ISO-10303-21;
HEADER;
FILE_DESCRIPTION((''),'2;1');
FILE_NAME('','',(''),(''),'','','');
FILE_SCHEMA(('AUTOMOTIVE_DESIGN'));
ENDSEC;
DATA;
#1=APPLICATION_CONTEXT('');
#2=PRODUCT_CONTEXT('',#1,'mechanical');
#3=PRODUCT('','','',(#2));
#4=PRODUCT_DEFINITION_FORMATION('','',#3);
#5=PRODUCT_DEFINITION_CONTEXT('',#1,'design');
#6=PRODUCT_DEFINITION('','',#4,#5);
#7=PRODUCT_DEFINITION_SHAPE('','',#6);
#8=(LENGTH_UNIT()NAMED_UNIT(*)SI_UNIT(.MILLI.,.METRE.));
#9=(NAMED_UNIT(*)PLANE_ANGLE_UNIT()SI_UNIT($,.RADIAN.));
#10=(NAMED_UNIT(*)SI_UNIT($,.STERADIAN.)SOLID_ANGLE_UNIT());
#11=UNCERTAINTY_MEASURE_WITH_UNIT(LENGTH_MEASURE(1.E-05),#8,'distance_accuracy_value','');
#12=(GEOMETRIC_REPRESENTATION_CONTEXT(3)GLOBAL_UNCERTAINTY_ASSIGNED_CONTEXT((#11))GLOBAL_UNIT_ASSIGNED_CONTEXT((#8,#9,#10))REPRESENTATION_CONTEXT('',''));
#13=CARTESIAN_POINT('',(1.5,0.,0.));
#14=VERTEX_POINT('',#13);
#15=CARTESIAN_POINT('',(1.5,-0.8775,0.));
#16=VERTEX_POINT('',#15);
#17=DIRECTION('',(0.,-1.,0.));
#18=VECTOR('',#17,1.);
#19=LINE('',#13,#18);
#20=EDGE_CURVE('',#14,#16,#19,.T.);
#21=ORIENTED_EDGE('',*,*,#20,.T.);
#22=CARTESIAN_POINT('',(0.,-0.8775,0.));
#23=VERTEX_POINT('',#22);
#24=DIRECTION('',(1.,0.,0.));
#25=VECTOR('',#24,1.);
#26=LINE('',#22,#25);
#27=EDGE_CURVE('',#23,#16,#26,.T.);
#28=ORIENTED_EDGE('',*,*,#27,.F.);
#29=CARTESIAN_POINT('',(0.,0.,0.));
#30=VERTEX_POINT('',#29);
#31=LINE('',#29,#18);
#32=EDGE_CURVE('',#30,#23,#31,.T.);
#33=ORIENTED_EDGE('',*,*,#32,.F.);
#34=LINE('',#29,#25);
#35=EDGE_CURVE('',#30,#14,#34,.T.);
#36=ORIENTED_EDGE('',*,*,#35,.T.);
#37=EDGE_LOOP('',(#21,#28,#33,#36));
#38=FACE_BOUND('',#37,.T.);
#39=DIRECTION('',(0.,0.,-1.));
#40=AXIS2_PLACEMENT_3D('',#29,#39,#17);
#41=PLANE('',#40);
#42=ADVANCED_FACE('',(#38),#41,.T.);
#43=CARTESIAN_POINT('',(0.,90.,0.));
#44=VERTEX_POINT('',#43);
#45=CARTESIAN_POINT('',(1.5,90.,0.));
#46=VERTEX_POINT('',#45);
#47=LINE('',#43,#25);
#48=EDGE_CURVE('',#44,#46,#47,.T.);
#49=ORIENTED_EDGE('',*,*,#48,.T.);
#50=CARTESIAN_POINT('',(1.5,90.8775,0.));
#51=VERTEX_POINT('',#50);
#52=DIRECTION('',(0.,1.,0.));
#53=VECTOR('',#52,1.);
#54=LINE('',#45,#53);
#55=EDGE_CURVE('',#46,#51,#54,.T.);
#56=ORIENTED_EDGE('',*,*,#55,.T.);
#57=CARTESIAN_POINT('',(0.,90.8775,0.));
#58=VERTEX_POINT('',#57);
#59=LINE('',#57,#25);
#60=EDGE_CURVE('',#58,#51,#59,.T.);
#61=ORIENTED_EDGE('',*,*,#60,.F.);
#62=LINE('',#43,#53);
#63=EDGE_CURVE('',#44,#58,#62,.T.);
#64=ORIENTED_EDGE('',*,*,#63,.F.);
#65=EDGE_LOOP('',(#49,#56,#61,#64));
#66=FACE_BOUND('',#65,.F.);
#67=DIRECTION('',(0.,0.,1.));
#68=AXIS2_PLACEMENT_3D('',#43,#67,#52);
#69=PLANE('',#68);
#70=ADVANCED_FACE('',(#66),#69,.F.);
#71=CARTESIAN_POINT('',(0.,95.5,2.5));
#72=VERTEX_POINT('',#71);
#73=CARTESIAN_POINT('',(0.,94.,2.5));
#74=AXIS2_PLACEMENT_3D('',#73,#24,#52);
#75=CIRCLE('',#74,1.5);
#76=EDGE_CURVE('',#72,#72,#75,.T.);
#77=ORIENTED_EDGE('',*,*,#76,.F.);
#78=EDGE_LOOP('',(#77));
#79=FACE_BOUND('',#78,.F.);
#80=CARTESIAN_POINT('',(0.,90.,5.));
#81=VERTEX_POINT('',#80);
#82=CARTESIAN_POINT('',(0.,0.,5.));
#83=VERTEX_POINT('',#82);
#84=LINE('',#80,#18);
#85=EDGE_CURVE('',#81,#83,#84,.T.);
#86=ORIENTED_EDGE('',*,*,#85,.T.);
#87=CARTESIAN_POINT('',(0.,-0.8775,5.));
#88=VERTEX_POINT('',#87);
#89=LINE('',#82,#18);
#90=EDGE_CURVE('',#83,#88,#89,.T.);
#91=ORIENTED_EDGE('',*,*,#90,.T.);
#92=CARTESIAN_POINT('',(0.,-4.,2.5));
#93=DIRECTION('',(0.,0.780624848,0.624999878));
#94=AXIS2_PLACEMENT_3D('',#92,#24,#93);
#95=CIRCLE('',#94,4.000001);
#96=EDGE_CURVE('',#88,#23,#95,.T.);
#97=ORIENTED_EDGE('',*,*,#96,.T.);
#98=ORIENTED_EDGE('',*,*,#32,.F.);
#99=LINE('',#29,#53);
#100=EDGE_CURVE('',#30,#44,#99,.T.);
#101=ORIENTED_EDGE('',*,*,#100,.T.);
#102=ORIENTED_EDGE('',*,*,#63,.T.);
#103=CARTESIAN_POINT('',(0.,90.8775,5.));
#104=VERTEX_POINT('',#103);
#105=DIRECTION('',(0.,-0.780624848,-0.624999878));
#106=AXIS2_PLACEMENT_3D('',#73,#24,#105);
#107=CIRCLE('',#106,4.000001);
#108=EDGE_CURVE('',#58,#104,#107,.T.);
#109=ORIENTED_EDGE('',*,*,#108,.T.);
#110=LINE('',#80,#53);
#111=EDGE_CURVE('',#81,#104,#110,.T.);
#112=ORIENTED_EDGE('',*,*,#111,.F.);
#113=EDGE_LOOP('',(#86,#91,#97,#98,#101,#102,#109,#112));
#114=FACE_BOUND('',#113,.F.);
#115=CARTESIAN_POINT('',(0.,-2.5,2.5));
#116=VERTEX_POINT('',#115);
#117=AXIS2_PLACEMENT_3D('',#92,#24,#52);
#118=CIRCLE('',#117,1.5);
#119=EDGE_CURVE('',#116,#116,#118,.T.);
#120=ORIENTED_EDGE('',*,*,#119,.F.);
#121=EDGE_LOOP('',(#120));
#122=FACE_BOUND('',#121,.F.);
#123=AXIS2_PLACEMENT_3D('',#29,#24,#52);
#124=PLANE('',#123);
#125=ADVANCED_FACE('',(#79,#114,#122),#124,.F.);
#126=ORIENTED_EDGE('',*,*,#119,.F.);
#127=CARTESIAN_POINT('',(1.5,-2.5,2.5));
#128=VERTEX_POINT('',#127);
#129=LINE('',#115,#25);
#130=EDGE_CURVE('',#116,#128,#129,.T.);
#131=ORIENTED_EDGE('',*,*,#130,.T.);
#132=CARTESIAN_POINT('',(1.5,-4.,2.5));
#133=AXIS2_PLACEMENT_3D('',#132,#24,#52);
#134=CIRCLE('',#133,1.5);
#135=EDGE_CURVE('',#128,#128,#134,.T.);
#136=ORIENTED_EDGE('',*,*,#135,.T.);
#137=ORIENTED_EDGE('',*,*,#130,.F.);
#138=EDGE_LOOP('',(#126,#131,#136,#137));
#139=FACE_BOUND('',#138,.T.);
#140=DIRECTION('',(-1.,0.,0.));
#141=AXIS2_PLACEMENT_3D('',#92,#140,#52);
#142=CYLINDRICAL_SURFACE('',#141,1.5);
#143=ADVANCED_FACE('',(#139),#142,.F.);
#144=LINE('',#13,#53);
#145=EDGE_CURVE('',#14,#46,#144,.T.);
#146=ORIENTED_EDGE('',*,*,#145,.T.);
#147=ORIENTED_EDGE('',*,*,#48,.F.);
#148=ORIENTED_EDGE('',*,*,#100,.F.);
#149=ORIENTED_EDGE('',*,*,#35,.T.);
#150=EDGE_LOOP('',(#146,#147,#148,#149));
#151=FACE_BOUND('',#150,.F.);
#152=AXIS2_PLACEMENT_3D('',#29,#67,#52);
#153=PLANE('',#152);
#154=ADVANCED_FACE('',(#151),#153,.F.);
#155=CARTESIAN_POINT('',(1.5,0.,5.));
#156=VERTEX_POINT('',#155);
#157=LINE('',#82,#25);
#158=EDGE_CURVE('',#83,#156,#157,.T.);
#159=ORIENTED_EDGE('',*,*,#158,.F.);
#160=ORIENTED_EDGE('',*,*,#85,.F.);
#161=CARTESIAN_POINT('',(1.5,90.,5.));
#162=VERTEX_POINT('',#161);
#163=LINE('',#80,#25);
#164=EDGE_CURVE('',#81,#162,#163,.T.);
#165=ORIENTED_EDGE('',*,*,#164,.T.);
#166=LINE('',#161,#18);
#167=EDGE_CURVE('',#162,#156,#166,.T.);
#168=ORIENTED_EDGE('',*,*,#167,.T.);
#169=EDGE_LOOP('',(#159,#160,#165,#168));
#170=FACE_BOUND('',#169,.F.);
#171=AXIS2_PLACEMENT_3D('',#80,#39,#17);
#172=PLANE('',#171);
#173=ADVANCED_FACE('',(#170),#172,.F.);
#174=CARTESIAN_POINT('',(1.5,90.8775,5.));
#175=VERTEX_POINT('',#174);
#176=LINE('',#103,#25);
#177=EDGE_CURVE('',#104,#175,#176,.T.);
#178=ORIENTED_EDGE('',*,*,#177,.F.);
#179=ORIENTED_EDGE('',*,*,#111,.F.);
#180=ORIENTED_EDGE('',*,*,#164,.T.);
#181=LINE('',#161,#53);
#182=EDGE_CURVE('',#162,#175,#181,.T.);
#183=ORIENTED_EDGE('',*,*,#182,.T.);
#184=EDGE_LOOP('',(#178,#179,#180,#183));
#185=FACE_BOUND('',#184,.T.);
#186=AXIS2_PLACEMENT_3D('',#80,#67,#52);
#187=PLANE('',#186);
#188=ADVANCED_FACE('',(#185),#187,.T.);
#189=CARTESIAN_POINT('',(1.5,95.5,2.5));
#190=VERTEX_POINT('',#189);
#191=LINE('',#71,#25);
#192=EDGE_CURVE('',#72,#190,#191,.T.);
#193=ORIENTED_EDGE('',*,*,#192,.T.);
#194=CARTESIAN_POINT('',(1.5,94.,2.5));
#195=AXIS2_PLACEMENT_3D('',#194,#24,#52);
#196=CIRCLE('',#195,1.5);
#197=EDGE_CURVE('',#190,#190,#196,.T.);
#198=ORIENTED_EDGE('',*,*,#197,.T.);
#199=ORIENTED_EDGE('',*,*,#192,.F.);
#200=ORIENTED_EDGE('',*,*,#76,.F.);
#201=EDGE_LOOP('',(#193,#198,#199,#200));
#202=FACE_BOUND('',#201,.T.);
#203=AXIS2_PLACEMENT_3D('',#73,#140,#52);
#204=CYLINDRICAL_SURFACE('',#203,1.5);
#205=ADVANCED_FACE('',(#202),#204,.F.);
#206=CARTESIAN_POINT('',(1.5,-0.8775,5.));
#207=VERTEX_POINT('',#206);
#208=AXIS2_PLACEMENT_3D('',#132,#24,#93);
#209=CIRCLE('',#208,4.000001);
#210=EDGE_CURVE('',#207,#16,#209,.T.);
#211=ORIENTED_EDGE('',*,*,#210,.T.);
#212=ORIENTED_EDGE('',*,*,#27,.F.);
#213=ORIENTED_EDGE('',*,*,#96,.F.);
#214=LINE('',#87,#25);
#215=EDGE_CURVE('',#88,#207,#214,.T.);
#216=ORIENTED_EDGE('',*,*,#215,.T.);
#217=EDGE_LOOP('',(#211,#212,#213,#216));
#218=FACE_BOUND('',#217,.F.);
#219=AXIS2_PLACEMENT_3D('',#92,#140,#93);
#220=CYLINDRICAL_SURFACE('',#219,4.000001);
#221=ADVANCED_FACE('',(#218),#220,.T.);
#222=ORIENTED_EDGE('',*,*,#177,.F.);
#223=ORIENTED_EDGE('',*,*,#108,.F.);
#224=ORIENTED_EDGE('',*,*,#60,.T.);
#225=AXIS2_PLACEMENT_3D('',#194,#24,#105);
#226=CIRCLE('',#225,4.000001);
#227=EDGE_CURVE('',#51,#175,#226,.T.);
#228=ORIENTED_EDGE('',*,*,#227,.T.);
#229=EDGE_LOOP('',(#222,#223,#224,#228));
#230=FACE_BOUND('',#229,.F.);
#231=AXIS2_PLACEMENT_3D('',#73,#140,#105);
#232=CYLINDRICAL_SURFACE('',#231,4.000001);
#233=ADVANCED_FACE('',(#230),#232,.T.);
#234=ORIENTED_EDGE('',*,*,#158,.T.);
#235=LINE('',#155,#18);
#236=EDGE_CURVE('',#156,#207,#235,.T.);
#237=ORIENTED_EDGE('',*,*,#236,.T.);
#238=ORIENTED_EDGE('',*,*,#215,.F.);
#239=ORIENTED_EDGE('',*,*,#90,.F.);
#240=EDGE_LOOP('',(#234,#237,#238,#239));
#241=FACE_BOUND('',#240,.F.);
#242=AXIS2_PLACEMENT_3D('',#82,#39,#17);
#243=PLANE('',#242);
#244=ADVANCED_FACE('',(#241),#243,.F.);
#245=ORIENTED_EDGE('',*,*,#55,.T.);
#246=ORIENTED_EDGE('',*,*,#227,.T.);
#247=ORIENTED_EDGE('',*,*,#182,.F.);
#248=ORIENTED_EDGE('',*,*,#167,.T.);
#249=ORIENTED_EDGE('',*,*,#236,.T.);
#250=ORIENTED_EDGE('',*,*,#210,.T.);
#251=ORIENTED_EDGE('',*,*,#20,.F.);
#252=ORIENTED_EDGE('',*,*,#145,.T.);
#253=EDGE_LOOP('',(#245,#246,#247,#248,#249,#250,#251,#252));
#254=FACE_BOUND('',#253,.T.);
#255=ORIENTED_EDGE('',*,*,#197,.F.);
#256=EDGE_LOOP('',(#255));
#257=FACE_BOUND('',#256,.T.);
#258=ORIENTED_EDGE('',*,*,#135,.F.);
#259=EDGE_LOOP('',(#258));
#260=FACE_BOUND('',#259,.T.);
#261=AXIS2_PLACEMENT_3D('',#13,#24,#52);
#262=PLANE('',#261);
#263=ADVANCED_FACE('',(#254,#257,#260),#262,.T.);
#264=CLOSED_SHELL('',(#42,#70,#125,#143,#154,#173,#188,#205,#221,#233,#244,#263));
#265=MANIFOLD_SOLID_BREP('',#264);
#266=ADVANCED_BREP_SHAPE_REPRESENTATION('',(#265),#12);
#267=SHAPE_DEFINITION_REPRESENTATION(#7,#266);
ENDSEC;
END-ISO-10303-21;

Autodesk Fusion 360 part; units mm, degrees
sketch "Boceto1" plane through (0, 0, 0) normal (1, 0, 0) x (0, 1, 0)
  line L0 (0, 0) -> (90, 0)
  line L1 (90, 5) -> (0, 5)
  line L2 (0, 5) -> (-0.8775, 5)
  line L3 (90, 5) -> (90.8775, 5)
  line L4 (0, 0) -> (-2, 0)
  line L5 (90, 0) -> (91.5, 0)
  circle A0 centre (94, 2.5) radius 1.5
  circle A1 centre (-4, 2.5) radius 1.5
  arc A2 (-0.8775, 5) -> (-0.8775, 0) centre (-4, 2.5) ccw
  arc A3 (90.8775, 0) -> (90.8775, 5) centre (94, 2.5) ccw
  dimension "d1" = 90
  dimension "d2" = 5
  dimension "d4" = 3
  dimension "d5" = 3
extrude "Extruir1" add sketch "Boceto1" along normal blind 1.5
sketch "Boceto2" plane through (1.5, 0, 0) normal (1, 0, 0) x (0, 1, 0)
  circle A0 centre (94, 2.5) radius 1.5
  circle A1 centre (-4, 2.5) radius 1.5
  line L0 (-0.8775, 0) -> (90.8775, 0)
  arc A2 (90.8775, 0) -> (90.8775, 5) centre (94, 2.5) ccw
  line L1 (90.8775, 5) -> (-0.8775, 5)
  arc A3 (-0.8775, 5) -> (-0.8775, 0) centre (-4, 2.5) ccw
